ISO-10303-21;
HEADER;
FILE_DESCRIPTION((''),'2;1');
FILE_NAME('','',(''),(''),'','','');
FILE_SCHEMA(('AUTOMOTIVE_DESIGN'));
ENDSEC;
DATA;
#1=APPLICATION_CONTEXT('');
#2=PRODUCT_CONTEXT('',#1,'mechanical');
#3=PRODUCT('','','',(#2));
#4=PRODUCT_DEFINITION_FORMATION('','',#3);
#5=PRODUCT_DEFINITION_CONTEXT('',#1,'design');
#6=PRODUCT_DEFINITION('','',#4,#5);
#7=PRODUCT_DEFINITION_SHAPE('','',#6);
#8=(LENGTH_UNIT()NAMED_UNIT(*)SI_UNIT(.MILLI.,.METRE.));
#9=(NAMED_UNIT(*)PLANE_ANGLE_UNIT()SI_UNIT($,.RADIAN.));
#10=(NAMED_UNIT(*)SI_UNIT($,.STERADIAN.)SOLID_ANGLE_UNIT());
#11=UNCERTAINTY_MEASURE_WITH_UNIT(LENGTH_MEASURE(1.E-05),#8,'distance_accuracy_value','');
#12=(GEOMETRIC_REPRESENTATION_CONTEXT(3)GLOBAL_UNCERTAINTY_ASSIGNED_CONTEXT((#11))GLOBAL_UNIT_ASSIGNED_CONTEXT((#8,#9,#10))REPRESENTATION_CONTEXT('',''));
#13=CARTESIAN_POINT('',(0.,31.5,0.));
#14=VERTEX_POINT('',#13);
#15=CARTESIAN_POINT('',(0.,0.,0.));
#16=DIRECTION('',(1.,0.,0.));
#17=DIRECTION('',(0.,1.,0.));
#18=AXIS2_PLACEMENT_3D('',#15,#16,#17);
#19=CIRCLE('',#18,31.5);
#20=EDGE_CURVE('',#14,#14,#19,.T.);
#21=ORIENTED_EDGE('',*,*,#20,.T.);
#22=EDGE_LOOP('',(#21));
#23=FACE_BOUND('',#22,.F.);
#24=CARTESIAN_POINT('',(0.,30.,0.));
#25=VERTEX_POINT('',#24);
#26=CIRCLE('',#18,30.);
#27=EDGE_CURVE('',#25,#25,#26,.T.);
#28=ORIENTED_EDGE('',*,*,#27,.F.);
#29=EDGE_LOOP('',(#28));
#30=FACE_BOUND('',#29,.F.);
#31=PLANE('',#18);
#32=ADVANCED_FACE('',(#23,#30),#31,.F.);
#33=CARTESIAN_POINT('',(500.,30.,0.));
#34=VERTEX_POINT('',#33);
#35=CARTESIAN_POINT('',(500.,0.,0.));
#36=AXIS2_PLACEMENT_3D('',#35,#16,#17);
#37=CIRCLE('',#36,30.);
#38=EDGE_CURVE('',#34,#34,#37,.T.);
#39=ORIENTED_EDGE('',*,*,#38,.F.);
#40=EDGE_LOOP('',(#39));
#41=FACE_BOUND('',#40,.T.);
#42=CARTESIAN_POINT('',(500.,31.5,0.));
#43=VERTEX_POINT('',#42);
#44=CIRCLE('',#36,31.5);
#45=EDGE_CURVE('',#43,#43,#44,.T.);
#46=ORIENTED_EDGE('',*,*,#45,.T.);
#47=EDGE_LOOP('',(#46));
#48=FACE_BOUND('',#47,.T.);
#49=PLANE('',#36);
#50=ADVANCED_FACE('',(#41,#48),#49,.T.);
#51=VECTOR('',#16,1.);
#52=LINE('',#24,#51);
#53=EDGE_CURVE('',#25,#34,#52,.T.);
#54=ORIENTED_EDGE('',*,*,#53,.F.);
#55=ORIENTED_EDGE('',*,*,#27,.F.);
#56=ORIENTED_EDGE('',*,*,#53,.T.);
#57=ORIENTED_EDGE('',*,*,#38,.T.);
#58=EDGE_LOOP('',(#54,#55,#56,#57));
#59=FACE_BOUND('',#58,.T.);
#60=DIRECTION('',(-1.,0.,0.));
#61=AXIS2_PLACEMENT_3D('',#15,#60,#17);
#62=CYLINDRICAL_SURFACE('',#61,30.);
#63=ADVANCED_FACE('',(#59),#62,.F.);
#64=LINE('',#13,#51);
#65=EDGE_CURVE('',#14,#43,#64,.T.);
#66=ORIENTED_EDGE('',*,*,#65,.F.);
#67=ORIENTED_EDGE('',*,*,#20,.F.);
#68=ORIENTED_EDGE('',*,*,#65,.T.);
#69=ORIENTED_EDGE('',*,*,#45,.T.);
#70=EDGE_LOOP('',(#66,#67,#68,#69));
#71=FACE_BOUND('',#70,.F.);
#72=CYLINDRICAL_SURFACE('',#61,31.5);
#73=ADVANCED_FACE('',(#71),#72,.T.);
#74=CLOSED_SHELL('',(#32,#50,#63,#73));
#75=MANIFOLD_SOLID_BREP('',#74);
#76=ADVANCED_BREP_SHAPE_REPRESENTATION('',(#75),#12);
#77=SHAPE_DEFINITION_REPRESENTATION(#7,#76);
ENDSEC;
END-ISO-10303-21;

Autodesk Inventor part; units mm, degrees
ref_plane "YZ Plane" through (0, 0, 0) normal (1, 0, 0) x (0, 1, 0)
ref_plane "XZ Plane" through (0, 0, 0) normal (0, 1, 0) x (-1, 0, 0)
ref_plane "XY Plane" through (0, 0, 0) normal (0, 0, 1) x (1, 0, 0)
sketch "Boceto1" plane through (0, 0, 0) normal (1, 0, 0) x (0, 1, 0)
  circle A0 centre (0, 0) radius 30
  circle A1 centre (0, 0) radius 31.5
  dimension "d0" = 60
  dimension "d1" = 63
extrude "Extrusión1" add sketch "Boceto1" along normal blind 500
ref_plane "Plano de trabajo1" through (50, 0, 0) normal (-1, 0, 0) x (0, 0, 1)
ref_plane "Plano de trabajo2" through (450, 0, 0) normal (1, 0, 0) x (0, 0, -1)
properties part number "tubo transparente" material "Vidrio"
